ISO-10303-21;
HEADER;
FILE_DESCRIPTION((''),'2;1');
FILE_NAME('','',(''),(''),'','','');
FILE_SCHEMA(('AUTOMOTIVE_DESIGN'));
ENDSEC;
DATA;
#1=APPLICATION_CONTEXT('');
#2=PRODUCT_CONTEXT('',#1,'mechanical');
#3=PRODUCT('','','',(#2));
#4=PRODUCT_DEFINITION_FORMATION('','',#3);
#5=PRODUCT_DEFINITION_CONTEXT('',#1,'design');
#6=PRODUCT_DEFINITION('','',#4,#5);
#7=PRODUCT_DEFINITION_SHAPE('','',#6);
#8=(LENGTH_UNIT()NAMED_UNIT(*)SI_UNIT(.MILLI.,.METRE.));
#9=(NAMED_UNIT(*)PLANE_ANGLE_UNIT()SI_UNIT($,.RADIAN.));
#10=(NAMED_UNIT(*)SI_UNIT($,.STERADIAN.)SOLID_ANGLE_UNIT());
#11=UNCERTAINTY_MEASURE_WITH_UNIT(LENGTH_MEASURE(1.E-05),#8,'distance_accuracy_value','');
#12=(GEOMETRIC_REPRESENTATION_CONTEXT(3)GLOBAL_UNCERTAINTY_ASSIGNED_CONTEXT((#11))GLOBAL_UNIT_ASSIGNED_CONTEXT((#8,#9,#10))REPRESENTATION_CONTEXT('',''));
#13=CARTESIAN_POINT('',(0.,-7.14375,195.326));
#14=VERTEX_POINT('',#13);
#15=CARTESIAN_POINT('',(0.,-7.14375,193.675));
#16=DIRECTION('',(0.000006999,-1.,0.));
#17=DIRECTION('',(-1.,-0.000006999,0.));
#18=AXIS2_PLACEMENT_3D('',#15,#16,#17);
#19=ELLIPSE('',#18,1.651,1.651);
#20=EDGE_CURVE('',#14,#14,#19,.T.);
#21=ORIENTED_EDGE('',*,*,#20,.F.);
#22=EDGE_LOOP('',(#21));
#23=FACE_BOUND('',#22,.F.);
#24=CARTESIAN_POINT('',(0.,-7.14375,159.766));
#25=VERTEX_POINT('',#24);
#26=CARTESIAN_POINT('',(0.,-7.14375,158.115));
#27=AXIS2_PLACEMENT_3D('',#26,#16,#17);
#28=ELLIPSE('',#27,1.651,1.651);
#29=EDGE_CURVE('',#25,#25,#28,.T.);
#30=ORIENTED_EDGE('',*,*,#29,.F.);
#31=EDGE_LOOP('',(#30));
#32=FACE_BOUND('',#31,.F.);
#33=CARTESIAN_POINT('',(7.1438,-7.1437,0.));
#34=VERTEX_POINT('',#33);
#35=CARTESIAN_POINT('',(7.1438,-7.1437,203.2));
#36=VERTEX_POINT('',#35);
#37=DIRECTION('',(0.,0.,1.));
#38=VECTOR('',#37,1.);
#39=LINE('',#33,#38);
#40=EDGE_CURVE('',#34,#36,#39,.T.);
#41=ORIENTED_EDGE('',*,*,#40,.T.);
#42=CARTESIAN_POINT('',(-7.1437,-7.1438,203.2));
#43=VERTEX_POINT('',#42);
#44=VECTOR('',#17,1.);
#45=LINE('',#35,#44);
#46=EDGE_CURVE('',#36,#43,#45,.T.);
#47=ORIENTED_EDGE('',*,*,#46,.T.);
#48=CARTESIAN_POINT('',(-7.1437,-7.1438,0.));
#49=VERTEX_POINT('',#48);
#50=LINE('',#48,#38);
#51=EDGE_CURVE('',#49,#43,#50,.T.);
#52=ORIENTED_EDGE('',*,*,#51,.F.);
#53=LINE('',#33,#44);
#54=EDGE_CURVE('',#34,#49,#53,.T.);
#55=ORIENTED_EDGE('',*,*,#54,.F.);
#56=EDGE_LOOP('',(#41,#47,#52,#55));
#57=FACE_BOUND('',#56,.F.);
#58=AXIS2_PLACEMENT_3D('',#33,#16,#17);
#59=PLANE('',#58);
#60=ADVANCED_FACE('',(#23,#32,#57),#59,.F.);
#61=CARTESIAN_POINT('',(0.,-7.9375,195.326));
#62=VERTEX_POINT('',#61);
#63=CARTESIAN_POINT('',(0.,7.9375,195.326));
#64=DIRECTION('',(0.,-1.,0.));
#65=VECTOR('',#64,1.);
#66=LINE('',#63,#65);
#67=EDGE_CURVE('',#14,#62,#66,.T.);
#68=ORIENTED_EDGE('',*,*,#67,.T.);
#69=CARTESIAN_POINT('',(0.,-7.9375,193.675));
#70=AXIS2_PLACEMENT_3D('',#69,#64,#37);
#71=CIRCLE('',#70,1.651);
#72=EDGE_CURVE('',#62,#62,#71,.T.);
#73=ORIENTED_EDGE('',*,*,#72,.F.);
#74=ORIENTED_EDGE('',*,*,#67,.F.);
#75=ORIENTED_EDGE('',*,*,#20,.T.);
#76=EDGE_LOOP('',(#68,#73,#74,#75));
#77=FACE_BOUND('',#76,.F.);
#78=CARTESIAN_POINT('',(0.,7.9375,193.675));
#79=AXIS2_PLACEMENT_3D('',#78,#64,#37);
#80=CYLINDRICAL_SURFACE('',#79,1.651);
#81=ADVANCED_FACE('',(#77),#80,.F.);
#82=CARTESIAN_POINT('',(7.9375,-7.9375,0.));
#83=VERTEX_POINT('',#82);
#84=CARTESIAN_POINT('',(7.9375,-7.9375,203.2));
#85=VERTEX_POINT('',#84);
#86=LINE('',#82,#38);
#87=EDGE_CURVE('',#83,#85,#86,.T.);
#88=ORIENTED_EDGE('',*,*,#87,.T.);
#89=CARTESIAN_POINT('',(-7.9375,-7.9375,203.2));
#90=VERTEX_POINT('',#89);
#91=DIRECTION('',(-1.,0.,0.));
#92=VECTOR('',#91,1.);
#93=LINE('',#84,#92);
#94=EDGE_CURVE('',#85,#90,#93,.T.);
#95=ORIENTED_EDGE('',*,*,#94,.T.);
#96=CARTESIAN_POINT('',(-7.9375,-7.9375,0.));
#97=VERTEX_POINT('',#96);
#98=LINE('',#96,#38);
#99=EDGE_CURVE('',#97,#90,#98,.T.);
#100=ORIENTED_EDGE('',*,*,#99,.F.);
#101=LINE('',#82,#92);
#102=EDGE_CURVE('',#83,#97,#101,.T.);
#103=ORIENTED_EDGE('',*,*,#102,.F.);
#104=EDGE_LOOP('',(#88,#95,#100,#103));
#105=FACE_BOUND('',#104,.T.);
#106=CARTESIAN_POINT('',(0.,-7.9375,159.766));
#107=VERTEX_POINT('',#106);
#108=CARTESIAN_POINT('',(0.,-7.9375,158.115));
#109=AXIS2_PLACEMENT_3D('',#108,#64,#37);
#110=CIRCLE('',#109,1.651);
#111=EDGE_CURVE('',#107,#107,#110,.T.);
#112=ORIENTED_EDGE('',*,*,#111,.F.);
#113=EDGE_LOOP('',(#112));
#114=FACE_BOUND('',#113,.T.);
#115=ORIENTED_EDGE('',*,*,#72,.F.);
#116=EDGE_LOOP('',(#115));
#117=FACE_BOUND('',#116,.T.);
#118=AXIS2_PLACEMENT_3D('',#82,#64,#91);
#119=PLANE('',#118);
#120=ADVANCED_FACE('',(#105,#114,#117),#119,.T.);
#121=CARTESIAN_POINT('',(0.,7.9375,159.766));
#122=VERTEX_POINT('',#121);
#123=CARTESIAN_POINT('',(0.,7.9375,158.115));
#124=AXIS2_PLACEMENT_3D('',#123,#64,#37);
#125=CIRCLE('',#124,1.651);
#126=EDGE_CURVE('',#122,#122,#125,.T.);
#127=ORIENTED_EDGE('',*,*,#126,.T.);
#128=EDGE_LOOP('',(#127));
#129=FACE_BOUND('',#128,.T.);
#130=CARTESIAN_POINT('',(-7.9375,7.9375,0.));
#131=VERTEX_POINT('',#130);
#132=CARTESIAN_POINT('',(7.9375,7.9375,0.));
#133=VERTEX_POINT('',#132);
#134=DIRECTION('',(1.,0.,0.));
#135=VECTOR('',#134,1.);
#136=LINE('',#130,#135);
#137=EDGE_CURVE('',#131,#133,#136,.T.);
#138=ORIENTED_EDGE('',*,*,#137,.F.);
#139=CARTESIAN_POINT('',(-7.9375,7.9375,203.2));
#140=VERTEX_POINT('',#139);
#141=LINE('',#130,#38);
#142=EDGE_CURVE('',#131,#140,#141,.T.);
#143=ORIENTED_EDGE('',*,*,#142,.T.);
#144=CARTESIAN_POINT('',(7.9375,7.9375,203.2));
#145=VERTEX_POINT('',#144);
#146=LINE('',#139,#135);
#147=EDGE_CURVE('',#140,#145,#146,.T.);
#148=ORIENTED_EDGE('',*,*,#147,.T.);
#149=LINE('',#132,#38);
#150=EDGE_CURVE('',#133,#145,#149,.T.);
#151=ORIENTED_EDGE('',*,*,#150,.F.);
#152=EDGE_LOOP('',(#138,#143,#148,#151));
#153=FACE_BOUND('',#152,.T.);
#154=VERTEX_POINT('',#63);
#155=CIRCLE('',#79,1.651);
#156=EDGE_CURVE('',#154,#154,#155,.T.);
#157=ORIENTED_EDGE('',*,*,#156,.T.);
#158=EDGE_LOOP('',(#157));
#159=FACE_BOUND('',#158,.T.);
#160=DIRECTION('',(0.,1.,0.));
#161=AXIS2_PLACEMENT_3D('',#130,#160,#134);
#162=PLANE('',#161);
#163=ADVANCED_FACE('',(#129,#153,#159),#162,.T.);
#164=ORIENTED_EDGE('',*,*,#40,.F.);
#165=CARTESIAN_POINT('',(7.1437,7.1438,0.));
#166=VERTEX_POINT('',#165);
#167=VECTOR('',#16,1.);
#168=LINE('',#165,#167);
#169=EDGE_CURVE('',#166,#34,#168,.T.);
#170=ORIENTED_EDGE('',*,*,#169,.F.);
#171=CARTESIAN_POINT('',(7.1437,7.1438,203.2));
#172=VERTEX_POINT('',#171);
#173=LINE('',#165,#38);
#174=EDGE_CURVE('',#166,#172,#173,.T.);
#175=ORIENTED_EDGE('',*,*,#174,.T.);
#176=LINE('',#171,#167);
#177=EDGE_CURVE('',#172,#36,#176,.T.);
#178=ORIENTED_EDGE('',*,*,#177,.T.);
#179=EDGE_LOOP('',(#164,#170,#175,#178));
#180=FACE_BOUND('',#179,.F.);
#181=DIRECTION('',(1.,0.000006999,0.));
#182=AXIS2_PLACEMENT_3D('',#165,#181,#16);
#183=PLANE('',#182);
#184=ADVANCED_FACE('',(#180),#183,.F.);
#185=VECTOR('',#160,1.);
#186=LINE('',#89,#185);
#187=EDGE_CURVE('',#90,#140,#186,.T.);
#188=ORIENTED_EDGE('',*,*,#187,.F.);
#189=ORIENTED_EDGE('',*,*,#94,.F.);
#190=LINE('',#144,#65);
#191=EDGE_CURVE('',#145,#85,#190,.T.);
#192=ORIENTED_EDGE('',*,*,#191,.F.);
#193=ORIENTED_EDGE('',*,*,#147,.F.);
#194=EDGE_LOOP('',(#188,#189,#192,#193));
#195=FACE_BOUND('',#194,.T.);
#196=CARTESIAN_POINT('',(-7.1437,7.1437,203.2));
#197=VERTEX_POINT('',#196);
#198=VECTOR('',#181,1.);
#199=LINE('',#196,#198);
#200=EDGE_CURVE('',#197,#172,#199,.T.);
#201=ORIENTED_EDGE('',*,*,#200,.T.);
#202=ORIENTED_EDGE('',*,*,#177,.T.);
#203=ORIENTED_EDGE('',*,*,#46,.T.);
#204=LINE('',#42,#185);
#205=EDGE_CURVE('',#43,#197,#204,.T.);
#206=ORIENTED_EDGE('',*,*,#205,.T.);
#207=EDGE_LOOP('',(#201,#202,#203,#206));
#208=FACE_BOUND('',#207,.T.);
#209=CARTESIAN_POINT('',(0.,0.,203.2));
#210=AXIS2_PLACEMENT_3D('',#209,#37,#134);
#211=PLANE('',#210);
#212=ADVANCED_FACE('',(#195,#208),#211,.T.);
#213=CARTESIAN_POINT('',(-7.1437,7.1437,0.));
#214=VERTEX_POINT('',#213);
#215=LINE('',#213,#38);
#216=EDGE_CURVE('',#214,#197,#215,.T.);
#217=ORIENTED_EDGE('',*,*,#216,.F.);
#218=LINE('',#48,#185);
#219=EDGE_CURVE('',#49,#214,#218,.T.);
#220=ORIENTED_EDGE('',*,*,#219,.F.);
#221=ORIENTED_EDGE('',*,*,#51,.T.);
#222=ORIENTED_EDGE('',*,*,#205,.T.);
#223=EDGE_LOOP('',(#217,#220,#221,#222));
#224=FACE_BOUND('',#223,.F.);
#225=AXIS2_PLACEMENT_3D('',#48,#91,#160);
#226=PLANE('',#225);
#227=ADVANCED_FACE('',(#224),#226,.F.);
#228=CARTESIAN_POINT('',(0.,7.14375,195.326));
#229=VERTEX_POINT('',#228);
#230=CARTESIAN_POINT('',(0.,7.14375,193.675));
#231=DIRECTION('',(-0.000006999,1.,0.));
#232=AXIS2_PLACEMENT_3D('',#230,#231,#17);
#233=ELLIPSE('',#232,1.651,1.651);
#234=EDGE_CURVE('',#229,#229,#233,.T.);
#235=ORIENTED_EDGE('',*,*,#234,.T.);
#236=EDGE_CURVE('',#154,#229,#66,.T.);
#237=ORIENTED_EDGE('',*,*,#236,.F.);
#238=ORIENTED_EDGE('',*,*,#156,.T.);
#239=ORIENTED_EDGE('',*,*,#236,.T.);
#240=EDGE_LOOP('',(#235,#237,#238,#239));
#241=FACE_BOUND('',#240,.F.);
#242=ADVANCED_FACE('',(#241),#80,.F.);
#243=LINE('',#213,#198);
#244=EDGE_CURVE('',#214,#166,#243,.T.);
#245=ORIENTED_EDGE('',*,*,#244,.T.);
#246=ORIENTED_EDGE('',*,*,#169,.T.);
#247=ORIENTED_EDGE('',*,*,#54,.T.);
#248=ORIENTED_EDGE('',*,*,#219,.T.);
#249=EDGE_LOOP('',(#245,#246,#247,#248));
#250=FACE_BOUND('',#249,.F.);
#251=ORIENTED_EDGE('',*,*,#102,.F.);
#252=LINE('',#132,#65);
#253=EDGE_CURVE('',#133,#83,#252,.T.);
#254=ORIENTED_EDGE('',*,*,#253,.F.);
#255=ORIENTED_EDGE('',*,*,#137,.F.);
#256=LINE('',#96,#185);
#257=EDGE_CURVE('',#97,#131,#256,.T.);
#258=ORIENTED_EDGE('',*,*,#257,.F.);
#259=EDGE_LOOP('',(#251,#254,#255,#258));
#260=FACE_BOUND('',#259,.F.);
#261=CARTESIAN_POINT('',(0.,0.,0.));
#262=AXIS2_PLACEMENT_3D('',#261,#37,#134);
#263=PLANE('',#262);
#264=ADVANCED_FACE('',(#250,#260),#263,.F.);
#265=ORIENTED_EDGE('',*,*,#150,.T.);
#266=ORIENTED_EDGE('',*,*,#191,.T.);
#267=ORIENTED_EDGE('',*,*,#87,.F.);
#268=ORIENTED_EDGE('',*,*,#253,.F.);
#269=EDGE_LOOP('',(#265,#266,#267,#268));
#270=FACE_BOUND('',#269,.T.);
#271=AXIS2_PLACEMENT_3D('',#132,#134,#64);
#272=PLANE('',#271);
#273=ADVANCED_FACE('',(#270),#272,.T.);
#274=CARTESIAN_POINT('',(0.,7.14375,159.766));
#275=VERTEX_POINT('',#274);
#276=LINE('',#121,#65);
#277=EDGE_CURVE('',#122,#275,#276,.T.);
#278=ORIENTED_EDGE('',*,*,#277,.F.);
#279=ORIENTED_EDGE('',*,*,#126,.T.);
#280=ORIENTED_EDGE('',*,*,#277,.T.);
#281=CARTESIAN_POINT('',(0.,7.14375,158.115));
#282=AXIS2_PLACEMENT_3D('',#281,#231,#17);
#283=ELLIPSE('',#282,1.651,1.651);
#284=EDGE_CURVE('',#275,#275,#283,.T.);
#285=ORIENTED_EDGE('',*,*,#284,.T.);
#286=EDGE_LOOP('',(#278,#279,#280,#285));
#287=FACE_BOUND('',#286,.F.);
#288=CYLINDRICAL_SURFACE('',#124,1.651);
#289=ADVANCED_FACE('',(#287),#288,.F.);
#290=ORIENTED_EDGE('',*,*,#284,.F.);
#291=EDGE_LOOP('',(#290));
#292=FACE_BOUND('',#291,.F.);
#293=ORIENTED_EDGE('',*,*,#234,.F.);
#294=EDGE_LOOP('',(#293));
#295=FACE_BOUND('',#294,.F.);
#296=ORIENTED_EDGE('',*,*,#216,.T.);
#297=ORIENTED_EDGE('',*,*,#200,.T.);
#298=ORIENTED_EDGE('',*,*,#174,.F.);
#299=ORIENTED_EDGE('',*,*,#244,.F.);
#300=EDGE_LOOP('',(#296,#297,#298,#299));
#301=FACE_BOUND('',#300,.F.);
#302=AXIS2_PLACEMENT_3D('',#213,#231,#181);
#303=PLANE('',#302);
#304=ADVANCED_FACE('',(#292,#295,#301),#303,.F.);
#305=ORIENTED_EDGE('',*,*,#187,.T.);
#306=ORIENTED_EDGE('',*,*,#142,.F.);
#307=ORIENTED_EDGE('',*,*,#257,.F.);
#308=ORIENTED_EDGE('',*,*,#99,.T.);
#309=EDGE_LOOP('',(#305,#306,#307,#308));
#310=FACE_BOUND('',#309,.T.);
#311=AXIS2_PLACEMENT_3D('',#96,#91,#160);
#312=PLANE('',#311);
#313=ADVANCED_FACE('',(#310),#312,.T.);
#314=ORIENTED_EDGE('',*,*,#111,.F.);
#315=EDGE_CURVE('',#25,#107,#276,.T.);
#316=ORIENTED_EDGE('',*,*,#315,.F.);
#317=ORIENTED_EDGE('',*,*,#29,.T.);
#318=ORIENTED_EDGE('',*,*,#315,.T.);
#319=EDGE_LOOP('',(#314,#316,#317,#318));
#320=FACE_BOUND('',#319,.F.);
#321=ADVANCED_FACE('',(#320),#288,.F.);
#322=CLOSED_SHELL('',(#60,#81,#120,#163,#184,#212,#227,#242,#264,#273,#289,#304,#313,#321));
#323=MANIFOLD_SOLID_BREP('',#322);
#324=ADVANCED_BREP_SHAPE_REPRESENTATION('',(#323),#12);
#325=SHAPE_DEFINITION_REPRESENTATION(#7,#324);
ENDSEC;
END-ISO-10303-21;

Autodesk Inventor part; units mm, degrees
ref_plane "YZ Plane" through (0, 0, 0) normal (1, 0, 0) x (0, 1, 0)
ref_plane "XZ Plane" through (0, 0, 0) normal (0, 1, 0) x (-1, 0, 0)
ref_plane "XY Plane" through (0, 0, 0) normal (0, 0, 1) x (1, 0, 0)
sketch "Sketch1" plane through (0, 0, 0) normal (0, 0, 1) x (1, 0, 0)
  line L0 (7.9375, -7.9375) -> (-7.9375, -7.9375)
  line L1 (-7.9375, -7.9375) -> (-7.9375, 7.9375)
  line L2 (-7.9375, 7.9375) -> (7.9375, 7.9375)
  line L3 (7.9375, 7.9375) -> (7.9375, -7.9375)
  line L4 (-7.1437, -7.1438) -> (-7.1437, 7.1437)
  line L5 (-7.1437, 7.1437) -> (7.1437, 7.1438)
  line L6 (7.1437, 7.1438) -> (7.1438, -7.1437)
  line L7 (7.1438, -7.1437) -> (-7.1437, -7.1438)
  line L8 (0, 0) -> (5.5522, 0)
  point P0 (0, 0)
  point P1 (0, 0)
  point P2 (0, 0)
  dimension "d4" = 45
  dimension "d5" = 14.2875
  dimension "d6" = 15.875
extrude "Extrusion1" add sketch "Sketch1" along normal blind 203.2
sketch "Sketch2" plane through (-7.9375, 7.9375, 0) normal (0, 1, 0) x (1, 0, 0)
  line L0 (0, -203.2) -> (15.875, -203.2) projected
  line L1 (15.875, 0) -> (15.875, -203.2) projected
  line L2 (0, 0) -> (0, -203.2) projected
  line L3 (7.9375, -203.2) -> (7.9375, -257.0929)
  line L4 (7.9375, -193.675) -> (26.9875, -193.675) construction
  point P0 (7.9375, 0)
  point P1 (7.9375, -158.115)
  dimension "d27" = 9.525
  dimension "d30" = 35.56
hole "Hole1" at (0, 7.9375, 193.675) at (0, 7.9375, 158.115) direction (0, -1, 0) diameter 3.302 end through all thread size "8-32 UNC" class "2B" standard "ANSI Unified Screw Threads"
properties part number "Arm"
